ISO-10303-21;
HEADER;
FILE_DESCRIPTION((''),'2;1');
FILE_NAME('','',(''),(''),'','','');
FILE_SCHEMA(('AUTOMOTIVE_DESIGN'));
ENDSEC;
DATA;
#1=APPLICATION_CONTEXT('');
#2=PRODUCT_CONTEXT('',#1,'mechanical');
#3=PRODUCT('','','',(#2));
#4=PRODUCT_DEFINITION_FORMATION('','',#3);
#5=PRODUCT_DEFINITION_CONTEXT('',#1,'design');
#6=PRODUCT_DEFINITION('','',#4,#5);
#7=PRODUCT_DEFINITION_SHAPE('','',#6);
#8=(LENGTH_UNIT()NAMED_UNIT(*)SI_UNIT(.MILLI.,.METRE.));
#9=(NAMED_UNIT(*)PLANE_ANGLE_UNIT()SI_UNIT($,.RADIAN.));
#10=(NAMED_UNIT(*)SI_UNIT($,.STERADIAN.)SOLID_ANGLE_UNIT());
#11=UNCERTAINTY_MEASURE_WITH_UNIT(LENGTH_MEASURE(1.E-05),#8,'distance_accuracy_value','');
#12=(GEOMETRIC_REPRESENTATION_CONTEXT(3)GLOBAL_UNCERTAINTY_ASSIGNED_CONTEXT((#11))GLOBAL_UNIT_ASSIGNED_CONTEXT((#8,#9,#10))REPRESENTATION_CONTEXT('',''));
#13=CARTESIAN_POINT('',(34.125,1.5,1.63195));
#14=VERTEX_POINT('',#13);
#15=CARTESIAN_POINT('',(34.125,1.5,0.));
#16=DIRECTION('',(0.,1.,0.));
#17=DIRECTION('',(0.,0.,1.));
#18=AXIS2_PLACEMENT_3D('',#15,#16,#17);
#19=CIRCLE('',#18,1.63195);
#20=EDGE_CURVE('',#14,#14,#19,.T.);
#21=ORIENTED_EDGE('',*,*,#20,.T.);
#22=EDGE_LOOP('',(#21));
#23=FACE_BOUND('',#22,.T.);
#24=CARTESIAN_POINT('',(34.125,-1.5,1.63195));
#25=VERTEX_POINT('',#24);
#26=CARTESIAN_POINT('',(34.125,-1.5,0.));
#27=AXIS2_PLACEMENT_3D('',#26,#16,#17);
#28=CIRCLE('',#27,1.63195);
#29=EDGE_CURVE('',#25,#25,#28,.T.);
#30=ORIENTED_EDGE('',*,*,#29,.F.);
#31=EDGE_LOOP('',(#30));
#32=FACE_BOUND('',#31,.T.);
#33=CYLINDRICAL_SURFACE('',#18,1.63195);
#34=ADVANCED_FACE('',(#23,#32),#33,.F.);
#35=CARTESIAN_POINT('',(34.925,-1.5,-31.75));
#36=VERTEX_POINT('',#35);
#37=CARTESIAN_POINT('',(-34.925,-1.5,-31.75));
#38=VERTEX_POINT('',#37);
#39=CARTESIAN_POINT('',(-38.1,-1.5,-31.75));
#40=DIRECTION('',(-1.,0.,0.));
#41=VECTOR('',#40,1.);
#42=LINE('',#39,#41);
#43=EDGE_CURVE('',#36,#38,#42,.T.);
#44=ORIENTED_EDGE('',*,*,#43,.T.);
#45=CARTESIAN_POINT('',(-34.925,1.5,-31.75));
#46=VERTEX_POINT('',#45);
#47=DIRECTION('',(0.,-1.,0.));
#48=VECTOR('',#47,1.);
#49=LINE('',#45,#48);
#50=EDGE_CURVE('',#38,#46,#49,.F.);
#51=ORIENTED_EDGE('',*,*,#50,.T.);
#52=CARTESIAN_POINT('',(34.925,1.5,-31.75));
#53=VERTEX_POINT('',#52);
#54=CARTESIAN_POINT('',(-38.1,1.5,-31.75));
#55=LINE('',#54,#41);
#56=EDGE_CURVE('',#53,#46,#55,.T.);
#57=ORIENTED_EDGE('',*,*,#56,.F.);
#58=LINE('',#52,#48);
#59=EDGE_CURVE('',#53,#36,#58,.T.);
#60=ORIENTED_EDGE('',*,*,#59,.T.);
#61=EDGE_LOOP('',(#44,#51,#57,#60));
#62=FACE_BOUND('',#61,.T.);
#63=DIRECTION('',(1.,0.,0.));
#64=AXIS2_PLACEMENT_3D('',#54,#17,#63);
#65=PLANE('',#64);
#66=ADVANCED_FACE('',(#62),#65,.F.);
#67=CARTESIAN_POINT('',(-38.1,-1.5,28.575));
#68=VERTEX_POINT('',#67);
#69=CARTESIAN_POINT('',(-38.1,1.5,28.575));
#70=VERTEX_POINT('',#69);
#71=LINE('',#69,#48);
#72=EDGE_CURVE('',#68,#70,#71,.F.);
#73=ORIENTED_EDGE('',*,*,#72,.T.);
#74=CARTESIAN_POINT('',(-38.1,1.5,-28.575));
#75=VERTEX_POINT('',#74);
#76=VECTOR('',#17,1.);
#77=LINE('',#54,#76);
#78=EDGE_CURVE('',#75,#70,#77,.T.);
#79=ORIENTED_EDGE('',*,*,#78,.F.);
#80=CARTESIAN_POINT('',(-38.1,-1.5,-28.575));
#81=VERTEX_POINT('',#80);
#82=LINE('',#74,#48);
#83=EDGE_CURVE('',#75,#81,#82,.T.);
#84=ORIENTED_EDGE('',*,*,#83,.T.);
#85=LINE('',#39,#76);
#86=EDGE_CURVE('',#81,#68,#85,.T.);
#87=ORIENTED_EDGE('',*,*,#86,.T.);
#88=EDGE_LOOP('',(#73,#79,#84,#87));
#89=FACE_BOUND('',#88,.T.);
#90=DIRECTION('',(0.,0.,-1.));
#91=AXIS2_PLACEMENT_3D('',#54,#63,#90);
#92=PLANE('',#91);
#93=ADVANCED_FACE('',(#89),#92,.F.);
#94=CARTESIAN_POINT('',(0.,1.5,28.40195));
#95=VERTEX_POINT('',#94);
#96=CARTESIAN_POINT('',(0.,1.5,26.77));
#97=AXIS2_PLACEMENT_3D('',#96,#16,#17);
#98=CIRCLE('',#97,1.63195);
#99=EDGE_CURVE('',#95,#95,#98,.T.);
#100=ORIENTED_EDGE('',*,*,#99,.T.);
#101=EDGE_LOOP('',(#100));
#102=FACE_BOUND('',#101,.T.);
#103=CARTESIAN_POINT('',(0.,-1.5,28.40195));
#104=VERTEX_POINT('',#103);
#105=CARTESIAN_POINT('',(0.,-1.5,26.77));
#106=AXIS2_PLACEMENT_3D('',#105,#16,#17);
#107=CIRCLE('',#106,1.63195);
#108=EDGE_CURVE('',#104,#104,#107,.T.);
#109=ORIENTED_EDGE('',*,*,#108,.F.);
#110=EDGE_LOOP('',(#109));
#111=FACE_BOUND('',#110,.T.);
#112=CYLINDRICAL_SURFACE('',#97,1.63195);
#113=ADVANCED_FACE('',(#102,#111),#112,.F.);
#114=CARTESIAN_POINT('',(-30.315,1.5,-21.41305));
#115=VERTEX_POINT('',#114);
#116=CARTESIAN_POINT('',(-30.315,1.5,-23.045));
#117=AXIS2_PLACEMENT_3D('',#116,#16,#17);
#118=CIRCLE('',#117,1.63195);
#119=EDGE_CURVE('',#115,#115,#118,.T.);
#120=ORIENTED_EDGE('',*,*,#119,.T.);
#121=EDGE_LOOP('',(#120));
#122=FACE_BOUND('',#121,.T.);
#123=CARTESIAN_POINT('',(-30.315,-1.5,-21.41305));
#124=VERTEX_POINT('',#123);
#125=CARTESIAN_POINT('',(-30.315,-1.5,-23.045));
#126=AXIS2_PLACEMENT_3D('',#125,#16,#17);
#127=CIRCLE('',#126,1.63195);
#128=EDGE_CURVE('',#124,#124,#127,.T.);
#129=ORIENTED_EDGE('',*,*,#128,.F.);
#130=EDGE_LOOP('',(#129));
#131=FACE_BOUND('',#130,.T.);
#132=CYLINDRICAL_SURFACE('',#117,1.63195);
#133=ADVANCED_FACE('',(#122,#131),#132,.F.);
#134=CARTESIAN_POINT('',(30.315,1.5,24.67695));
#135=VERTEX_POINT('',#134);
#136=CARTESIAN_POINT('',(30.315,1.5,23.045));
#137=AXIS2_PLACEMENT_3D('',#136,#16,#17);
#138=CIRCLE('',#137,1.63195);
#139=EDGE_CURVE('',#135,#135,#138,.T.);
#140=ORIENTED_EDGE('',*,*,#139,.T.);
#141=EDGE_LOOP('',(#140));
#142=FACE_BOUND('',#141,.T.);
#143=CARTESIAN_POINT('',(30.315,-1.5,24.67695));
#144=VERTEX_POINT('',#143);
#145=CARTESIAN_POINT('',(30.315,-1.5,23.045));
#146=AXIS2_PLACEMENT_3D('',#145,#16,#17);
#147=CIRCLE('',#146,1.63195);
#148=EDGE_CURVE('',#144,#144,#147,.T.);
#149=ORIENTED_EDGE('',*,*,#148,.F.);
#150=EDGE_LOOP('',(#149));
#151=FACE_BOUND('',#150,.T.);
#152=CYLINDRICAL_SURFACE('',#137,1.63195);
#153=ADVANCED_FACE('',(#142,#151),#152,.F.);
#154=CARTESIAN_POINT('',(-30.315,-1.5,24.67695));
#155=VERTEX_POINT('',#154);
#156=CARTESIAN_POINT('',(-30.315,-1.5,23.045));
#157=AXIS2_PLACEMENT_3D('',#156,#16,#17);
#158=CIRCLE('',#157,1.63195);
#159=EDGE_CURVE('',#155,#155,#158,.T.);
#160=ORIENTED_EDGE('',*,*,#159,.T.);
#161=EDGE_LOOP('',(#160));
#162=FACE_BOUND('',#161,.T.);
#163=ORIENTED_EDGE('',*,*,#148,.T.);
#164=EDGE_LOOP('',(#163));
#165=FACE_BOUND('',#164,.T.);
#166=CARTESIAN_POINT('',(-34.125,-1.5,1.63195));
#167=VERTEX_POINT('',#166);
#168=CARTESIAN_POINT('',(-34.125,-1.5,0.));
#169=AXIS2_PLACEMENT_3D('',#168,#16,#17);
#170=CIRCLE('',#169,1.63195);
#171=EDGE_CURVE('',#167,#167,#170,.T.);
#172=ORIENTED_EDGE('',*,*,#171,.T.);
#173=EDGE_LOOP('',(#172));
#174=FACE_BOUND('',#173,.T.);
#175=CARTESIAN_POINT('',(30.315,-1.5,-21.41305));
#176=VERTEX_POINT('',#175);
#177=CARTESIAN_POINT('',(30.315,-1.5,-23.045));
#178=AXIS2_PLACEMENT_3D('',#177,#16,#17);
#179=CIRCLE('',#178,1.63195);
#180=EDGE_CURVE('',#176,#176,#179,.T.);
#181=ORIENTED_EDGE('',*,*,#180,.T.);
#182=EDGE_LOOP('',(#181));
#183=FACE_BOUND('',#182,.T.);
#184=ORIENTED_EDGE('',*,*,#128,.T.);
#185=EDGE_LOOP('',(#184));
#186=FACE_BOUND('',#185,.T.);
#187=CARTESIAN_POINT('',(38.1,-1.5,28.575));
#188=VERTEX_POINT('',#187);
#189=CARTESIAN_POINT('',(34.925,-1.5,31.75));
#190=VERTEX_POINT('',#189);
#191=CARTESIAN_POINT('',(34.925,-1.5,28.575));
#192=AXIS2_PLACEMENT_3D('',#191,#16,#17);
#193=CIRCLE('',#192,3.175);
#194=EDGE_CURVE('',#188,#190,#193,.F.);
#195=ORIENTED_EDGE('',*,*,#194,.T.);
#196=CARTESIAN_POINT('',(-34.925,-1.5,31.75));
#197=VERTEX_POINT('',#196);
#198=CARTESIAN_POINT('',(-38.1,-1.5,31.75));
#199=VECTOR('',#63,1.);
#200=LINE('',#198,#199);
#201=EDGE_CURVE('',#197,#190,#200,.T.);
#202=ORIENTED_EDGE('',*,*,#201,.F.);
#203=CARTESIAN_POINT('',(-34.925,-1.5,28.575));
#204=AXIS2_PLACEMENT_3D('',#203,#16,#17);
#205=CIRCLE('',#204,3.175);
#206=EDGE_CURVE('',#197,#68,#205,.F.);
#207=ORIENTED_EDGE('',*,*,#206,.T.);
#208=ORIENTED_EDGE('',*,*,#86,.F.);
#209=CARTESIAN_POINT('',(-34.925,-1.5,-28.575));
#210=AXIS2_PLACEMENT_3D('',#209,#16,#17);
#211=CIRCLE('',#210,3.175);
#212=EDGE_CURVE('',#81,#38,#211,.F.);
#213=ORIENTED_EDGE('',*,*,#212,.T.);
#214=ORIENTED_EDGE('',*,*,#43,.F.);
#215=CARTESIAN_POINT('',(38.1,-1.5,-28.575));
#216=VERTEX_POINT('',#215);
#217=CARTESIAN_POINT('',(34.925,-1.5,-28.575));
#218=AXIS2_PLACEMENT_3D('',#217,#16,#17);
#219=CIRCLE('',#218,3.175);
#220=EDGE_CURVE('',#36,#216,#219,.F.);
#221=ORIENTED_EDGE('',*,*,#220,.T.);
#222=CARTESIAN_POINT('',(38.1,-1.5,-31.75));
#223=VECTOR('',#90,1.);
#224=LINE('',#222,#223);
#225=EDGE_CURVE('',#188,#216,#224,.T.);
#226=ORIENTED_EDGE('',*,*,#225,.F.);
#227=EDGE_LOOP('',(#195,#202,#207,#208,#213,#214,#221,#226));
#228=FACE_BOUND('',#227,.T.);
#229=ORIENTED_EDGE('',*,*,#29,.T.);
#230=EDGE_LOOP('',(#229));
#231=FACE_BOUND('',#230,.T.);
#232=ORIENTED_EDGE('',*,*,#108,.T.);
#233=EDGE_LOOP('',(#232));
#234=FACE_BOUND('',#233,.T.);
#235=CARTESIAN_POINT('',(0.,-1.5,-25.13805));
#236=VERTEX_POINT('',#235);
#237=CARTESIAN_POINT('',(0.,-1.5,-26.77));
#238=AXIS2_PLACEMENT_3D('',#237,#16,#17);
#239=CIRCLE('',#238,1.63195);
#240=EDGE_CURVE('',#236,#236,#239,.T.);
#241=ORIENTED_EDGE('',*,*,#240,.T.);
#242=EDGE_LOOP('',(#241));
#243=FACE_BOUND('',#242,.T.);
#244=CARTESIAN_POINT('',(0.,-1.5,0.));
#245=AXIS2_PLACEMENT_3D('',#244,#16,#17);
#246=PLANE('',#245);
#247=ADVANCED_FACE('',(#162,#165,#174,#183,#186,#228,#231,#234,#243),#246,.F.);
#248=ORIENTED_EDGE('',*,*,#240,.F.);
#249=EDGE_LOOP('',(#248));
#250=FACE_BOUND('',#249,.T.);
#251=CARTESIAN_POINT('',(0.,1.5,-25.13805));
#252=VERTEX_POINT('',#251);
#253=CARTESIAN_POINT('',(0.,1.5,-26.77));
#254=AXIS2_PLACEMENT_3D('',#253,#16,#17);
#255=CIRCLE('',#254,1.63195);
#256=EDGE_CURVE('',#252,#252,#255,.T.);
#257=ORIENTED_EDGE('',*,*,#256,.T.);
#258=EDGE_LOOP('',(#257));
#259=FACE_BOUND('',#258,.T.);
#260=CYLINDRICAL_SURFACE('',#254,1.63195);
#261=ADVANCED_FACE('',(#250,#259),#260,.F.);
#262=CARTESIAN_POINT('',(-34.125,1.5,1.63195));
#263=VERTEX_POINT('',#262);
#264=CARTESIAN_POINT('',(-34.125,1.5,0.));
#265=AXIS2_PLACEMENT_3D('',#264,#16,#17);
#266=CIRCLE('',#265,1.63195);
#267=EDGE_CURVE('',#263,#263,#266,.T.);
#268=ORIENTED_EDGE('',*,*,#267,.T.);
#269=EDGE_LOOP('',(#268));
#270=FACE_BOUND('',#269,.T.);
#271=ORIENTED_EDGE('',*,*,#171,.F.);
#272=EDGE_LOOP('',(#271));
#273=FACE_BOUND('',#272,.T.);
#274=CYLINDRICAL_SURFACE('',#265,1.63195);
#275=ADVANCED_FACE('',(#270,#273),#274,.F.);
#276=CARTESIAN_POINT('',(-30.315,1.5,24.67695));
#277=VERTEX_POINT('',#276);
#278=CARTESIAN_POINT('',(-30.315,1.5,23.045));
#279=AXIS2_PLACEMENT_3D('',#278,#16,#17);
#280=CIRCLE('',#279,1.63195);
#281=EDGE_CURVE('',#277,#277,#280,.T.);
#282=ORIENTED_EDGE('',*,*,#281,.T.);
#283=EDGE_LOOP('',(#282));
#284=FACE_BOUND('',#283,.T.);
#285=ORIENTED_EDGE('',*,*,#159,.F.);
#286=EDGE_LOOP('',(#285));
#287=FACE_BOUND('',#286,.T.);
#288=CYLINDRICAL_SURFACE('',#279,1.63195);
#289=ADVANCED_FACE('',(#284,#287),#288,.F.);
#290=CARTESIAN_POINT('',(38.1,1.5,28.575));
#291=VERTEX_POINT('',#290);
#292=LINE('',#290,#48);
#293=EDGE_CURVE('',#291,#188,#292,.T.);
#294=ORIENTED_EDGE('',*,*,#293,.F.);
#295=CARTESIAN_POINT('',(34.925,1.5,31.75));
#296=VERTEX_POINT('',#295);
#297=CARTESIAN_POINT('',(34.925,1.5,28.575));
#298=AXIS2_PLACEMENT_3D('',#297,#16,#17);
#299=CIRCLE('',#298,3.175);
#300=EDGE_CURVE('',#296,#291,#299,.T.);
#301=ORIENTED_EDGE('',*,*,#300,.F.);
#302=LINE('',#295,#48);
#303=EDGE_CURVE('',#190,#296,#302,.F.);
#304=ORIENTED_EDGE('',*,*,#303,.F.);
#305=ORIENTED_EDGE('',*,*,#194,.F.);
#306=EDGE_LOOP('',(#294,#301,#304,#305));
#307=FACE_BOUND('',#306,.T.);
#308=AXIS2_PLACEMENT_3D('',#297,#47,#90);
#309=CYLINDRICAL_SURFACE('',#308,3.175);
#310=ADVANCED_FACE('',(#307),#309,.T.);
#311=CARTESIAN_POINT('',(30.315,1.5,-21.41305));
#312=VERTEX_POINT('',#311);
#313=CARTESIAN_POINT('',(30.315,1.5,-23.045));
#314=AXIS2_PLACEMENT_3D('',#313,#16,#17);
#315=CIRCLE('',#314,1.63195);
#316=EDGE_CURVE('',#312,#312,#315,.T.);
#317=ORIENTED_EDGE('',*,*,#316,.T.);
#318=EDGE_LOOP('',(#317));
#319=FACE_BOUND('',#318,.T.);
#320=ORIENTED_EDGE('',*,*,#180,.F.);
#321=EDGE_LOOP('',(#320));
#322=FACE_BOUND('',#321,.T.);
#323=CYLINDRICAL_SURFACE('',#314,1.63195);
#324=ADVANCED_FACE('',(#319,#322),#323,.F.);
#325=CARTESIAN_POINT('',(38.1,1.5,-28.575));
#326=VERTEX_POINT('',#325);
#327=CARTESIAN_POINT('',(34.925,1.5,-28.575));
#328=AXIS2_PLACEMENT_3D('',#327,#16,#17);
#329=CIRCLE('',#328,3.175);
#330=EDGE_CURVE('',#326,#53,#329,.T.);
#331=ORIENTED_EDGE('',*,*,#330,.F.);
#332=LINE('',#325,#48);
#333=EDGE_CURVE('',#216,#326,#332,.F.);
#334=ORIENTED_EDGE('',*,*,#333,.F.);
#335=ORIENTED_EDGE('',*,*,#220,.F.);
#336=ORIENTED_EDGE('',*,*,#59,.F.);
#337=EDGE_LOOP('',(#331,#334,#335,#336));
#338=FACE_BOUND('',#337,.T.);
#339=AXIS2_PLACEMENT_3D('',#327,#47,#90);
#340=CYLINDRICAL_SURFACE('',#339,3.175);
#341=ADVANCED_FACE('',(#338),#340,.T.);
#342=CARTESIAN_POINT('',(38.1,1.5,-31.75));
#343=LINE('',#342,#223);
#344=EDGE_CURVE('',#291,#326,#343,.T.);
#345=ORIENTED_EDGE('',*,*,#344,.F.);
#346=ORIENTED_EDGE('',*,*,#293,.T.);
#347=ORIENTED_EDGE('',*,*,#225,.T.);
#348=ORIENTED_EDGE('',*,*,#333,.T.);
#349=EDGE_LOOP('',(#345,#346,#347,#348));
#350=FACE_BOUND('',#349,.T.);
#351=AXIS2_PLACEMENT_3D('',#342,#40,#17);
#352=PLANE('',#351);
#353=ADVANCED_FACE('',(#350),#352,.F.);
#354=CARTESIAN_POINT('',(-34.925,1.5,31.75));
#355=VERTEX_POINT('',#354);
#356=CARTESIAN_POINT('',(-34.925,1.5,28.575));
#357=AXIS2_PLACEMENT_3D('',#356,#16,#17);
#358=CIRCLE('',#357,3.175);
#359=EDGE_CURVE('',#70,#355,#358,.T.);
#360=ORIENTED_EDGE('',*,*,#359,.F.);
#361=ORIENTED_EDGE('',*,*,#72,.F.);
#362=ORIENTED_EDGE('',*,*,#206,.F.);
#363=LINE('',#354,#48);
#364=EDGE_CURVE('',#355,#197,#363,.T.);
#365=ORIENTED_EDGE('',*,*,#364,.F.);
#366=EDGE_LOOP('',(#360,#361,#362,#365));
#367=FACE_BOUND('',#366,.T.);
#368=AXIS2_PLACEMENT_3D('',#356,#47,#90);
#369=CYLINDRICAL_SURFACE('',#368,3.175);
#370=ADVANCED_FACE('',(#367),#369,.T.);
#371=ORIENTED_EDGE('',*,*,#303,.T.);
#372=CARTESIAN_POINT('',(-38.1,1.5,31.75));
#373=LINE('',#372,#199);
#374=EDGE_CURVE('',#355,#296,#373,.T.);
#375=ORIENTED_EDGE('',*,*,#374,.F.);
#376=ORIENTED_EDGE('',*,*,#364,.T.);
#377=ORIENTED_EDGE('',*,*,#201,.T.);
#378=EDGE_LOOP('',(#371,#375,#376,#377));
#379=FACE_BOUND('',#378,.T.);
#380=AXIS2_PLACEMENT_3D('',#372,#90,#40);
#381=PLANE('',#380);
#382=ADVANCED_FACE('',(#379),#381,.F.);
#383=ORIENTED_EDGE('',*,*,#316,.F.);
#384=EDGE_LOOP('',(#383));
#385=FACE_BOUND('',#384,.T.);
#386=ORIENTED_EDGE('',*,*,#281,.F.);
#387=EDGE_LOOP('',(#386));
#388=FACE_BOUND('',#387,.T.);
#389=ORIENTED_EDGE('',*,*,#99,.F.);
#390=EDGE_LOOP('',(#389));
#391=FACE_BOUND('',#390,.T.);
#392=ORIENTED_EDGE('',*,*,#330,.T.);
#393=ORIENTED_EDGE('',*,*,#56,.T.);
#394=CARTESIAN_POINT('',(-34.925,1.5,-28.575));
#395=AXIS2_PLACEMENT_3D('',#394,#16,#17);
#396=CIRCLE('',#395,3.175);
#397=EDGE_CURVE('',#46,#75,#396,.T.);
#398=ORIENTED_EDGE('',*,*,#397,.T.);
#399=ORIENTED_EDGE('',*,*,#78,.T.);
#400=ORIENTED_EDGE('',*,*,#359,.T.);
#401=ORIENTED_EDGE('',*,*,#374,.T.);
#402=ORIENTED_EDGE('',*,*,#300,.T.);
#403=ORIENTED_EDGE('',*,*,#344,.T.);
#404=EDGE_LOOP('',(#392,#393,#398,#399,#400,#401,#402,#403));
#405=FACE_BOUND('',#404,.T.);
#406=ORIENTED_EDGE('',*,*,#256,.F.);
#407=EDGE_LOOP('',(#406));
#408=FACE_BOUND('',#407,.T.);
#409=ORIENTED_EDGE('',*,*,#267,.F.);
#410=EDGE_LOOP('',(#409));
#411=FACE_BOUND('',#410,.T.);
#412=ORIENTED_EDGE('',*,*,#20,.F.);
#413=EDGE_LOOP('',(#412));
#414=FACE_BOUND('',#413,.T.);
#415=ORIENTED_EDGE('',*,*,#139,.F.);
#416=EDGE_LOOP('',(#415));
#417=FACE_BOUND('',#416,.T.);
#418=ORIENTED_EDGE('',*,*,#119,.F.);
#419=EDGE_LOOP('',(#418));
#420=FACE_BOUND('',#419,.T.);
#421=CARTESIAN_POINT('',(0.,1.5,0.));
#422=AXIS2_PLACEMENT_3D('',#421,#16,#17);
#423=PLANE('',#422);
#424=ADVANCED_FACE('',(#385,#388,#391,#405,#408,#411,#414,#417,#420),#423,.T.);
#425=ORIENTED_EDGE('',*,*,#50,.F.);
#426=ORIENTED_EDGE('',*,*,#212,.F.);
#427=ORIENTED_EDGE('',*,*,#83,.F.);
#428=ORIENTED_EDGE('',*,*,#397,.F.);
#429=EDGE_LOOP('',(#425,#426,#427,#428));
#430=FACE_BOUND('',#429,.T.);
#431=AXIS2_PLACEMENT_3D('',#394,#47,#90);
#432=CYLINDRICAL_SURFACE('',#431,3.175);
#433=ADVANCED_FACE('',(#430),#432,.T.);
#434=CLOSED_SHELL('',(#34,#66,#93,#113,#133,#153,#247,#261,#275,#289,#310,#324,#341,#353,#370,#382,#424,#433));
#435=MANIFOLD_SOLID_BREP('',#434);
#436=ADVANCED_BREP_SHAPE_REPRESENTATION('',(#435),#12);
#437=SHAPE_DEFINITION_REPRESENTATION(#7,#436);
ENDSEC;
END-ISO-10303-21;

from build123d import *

# Parameters (mm, degrees)
SKETCH1_W                 = 76.2
SKETCH1_H                 = 63.5
BOSS_EXTRUDE1_DEPTH       = 1.5
FILLET1_R                 = 3.175
F_4_CLEARANCE_HOLE1_D     = 3.2639
F_4_CLEARANCE_HOLE1_DEPTH = 6.619425513
F_4_CLEARANCE_HOLE1_TIP   = 0.980574487


with BuildPart() as part:
    # Sketch1 → Boss-Extrude1 (new body, symmetric)
    with BuildSketch(Plane(origin=(0, 0, 0), x_dir=(1, 0, 0), z_dir=(0, 1, 0))):
        Rectangle(SKETCH1_W, SKETCH1_H)
    extrude(amount=BOSS_EXTRUDE1_DEPTH, both=True)

    # Fillet1
    fillet1_edges = [part.edges().sort_by_distance(p)[0] for p in [
        (38.1, 0, 31.75),
        (-38.1, 0, 31.75),
        (-38.1, 0, -31.75),
        (38.1, 0, -31.75),
    ]]
    fillet(fillet1_edges, radius=FILLET1_R)

    # #4 Clearance Hole1
    with Locations(Plane(origin=(0, 1.5, 0), x_dir=(1, 0, 0), z_dir=(0, 1, 0))):
        with Locations((-34.125, 0), (-30.315, -23.045), (0, -26.77), (30.315, -23.045), (34.125, 0), (30.315, 23.045), (0, 26.77), (-30.315, 23.045)):
            Hole(F_4_CLEARANCE_HOLE1_D / 2, depth=F_4_CLEARANCE_HOLE1_DEPTH)
            with Locations((0, 0, -(F_4_CLEARANCE_HOLE1_DEPTH + F_4_CLEARANCE_HOLE1_TIP / 2))):  # 118° drill point
                Cone(0, F_4_CLEARANCE_HOLE1_D / 2, F_4_CLEARANCE_HOLE1_TIP, mode=Mode.SUBTRACT)


solid = part.part
